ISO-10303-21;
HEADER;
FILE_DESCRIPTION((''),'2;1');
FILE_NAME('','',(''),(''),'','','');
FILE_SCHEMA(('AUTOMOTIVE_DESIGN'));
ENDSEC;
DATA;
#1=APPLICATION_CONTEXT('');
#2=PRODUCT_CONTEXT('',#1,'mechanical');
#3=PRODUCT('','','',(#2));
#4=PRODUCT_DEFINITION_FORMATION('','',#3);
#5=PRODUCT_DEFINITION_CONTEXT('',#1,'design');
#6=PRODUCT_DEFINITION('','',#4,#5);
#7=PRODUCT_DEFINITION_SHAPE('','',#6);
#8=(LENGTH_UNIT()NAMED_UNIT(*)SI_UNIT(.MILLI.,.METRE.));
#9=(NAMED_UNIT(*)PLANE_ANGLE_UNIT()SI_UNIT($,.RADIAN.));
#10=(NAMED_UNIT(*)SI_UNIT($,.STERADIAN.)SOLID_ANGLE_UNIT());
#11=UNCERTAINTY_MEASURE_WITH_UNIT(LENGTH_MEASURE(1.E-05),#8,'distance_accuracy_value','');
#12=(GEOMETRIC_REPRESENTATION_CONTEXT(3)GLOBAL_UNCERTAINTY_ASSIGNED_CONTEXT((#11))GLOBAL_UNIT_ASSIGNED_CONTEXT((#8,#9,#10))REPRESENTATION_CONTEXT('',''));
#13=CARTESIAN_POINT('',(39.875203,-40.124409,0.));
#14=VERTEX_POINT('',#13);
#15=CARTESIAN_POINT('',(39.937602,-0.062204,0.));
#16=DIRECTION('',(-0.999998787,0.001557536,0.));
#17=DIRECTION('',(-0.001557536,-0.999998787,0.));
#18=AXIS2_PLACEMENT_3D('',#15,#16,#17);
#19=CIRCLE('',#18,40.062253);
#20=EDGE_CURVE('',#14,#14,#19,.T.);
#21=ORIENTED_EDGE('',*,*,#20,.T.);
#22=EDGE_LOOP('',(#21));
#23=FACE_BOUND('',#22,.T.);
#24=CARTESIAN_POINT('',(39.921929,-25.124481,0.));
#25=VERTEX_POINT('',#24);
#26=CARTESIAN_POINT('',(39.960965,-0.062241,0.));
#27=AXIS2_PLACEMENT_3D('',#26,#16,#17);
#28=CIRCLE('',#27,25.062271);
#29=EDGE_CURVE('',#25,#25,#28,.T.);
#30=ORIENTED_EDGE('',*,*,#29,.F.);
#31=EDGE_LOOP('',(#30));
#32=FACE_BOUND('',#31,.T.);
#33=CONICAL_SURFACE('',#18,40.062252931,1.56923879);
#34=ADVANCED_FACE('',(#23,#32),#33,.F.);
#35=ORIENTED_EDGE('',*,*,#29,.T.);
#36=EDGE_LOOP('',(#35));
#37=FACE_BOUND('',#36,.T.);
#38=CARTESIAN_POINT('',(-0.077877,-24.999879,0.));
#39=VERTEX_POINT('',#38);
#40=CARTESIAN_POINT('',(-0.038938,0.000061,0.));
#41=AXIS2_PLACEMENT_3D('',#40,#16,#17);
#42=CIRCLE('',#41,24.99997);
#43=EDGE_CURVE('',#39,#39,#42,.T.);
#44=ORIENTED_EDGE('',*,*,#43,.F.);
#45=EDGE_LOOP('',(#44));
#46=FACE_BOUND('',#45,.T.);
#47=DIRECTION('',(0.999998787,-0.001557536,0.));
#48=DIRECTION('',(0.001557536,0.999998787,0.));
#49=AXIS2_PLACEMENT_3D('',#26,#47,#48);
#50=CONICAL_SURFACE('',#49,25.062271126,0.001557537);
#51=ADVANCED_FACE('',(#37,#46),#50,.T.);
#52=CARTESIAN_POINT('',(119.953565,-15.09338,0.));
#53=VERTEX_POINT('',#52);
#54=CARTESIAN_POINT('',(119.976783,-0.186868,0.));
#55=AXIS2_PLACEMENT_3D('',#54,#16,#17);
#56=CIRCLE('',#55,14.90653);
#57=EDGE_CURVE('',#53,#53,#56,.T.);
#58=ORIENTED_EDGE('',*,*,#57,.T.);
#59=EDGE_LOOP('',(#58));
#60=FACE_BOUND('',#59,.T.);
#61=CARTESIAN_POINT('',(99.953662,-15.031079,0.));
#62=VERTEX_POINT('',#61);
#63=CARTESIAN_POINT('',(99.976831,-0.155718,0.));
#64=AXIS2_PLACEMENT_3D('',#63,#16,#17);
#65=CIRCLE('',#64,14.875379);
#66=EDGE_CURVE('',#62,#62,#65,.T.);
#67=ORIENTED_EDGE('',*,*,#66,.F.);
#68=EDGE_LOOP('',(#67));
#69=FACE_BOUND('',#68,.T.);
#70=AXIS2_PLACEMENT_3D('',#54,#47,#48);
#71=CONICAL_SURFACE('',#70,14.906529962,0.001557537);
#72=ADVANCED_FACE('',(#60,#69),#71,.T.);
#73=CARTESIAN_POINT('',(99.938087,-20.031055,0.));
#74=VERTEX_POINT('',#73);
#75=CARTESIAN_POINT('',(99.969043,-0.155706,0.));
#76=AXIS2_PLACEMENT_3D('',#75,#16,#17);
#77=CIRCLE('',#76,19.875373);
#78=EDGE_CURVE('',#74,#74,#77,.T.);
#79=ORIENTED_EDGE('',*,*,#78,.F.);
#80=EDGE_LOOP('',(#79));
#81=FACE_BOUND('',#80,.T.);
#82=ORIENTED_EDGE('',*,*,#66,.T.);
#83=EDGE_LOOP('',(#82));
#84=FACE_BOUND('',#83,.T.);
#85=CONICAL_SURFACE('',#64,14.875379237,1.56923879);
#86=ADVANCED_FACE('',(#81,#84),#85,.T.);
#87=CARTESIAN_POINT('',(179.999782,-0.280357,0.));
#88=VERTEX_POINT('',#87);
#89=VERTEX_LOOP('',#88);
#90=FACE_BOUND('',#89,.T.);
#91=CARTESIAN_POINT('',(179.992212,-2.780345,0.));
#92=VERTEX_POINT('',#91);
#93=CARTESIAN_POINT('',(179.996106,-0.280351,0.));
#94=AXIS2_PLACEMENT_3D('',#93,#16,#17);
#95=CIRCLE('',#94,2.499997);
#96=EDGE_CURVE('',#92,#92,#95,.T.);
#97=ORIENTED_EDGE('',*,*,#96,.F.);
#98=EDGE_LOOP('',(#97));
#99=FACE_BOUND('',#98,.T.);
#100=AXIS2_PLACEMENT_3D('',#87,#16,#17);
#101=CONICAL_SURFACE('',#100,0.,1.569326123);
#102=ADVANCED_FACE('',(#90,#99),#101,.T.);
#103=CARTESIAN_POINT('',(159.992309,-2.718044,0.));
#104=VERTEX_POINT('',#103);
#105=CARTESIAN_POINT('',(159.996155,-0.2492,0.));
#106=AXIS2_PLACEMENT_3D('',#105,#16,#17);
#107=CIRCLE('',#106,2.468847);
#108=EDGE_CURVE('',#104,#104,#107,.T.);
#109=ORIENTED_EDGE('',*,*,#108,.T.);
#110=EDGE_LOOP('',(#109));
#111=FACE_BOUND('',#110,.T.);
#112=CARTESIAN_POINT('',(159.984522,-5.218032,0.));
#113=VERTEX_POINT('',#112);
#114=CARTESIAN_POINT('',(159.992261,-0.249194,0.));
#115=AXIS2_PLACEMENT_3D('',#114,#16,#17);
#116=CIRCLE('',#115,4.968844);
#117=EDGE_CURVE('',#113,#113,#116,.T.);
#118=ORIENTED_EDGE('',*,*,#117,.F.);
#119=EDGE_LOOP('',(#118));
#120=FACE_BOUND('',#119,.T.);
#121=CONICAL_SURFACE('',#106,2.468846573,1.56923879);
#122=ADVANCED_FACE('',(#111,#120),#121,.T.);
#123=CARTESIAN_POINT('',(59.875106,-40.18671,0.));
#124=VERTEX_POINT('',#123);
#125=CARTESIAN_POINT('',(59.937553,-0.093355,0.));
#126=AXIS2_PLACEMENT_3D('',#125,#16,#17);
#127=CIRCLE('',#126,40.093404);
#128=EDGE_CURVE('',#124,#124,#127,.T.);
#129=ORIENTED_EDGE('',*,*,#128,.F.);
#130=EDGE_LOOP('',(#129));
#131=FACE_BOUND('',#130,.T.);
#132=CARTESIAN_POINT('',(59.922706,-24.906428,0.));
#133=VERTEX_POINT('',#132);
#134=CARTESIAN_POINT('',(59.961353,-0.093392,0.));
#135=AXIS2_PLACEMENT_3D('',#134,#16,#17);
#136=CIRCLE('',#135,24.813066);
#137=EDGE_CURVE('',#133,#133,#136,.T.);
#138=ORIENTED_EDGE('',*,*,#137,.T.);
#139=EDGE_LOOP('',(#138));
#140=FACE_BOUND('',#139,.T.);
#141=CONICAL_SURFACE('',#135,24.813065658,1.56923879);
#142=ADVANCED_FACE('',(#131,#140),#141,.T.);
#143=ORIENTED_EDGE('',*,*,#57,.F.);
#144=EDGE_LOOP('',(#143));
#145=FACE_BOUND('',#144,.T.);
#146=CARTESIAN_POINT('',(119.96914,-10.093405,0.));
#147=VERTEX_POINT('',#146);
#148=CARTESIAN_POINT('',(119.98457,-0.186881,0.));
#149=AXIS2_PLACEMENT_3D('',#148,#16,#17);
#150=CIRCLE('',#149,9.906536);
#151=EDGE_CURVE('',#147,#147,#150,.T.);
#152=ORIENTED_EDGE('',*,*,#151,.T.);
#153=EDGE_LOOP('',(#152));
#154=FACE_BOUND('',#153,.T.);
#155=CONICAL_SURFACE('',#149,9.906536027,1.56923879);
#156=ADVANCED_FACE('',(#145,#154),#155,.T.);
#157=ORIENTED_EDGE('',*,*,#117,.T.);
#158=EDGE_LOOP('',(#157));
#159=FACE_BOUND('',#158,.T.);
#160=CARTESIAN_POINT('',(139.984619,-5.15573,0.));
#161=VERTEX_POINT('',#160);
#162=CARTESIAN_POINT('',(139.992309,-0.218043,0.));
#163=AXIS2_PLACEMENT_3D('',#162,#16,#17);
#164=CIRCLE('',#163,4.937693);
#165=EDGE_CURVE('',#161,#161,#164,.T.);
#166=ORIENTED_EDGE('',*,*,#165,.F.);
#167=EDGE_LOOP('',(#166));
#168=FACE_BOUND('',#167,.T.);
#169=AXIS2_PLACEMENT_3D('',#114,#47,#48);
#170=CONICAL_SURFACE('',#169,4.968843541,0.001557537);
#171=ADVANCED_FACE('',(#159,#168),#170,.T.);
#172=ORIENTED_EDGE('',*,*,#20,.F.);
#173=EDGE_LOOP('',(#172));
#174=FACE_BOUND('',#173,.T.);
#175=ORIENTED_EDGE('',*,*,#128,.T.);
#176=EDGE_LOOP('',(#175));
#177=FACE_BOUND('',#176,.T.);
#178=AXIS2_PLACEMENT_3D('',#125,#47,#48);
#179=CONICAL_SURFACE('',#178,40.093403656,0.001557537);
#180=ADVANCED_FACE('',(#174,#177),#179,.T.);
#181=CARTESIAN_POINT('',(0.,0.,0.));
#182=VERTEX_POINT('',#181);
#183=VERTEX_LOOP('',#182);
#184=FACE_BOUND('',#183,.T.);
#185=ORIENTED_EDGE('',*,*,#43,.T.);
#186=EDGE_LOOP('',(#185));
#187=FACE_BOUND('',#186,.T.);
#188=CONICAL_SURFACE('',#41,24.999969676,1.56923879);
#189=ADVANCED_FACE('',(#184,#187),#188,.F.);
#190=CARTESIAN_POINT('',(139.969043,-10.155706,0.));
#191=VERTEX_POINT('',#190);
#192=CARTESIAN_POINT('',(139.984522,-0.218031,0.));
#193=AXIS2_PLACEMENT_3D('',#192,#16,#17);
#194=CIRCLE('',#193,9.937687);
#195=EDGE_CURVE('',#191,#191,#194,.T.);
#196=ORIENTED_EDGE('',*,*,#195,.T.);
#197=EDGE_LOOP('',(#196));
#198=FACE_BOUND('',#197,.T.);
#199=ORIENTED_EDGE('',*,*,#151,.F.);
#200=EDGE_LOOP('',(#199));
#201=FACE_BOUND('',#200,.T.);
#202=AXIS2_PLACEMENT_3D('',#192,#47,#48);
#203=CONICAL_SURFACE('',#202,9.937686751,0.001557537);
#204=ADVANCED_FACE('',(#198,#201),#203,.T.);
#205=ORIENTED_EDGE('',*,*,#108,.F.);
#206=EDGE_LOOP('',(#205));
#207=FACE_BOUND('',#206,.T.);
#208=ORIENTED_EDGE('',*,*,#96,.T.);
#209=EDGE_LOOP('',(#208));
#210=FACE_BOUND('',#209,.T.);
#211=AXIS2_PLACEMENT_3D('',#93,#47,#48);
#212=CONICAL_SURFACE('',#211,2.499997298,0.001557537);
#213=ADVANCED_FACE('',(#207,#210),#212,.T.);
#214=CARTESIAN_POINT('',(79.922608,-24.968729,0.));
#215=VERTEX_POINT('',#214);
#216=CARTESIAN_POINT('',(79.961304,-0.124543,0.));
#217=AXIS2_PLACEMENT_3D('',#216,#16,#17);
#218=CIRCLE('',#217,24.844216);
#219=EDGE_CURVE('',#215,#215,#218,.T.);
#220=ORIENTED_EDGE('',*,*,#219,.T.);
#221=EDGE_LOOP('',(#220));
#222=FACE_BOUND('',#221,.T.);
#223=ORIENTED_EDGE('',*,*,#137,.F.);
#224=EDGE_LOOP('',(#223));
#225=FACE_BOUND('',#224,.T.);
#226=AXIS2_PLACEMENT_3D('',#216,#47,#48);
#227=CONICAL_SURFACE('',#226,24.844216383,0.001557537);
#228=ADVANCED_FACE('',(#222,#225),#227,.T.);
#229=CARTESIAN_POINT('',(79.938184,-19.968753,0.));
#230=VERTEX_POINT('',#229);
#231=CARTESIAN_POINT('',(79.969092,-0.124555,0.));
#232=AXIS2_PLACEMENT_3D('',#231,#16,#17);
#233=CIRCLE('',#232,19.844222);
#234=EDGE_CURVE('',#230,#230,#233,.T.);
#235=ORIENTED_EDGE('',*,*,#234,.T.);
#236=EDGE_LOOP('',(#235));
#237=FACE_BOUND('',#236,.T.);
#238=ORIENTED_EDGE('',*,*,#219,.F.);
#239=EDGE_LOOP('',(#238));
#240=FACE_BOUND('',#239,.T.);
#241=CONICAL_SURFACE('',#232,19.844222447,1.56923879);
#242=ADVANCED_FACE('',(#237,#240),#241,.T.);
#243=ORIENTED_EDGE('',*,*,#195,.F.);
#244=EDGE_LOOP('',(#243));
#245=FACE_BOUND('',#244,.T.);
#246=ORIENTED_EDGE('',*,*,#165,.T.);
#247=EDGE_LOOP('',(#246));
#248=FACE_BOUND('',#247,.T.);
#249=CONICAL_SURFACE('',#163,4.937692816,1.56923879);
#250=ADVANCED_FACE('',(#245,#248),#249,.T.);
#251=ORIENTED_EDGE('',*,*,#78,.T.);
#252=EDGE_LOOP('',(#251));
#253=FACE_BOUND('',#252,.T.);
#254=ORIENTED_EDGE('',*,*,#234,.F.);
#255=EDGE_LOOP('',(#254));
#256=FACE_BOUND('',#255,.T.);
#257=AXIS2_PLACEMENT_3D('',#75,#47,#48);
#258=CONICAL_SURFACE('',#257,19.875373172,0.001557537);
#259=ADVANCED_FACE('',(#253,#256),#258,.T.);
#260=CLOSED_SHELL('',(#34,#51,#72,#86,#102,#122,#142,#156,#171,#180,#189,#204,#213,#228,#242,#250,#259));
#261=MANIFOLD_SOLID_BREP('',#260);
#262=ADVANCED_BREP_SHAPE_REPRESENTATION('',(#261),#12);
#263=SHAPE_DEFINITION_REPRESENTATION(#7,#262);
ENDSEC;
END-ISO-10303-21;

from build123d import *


with BuildPart() as part:
    # Sketch1 → Revolve1 (revolve)
    with BuildSketch(Plane.XY):
        Polygon((0, 0), (0, 25), (40, 25), (40, 40), (60, 40), (60, 24.719643467), (80, 24.719643467), (80, 19.719643467), (100, 19.719643467), (100, 14.719643467), (120, 14.719643467), (120, 9.719643467), (140, 9.719643467), (140, 4.719643467), (160, 4.719643467), (160, 2.219643467), (180, 2.219643467), (179.999781667, -0.280356523), align=None)
    revolve(axis=Axis((0, 0, 0), (0.999998787, -0.001557536, 0)))


solid = part.part
